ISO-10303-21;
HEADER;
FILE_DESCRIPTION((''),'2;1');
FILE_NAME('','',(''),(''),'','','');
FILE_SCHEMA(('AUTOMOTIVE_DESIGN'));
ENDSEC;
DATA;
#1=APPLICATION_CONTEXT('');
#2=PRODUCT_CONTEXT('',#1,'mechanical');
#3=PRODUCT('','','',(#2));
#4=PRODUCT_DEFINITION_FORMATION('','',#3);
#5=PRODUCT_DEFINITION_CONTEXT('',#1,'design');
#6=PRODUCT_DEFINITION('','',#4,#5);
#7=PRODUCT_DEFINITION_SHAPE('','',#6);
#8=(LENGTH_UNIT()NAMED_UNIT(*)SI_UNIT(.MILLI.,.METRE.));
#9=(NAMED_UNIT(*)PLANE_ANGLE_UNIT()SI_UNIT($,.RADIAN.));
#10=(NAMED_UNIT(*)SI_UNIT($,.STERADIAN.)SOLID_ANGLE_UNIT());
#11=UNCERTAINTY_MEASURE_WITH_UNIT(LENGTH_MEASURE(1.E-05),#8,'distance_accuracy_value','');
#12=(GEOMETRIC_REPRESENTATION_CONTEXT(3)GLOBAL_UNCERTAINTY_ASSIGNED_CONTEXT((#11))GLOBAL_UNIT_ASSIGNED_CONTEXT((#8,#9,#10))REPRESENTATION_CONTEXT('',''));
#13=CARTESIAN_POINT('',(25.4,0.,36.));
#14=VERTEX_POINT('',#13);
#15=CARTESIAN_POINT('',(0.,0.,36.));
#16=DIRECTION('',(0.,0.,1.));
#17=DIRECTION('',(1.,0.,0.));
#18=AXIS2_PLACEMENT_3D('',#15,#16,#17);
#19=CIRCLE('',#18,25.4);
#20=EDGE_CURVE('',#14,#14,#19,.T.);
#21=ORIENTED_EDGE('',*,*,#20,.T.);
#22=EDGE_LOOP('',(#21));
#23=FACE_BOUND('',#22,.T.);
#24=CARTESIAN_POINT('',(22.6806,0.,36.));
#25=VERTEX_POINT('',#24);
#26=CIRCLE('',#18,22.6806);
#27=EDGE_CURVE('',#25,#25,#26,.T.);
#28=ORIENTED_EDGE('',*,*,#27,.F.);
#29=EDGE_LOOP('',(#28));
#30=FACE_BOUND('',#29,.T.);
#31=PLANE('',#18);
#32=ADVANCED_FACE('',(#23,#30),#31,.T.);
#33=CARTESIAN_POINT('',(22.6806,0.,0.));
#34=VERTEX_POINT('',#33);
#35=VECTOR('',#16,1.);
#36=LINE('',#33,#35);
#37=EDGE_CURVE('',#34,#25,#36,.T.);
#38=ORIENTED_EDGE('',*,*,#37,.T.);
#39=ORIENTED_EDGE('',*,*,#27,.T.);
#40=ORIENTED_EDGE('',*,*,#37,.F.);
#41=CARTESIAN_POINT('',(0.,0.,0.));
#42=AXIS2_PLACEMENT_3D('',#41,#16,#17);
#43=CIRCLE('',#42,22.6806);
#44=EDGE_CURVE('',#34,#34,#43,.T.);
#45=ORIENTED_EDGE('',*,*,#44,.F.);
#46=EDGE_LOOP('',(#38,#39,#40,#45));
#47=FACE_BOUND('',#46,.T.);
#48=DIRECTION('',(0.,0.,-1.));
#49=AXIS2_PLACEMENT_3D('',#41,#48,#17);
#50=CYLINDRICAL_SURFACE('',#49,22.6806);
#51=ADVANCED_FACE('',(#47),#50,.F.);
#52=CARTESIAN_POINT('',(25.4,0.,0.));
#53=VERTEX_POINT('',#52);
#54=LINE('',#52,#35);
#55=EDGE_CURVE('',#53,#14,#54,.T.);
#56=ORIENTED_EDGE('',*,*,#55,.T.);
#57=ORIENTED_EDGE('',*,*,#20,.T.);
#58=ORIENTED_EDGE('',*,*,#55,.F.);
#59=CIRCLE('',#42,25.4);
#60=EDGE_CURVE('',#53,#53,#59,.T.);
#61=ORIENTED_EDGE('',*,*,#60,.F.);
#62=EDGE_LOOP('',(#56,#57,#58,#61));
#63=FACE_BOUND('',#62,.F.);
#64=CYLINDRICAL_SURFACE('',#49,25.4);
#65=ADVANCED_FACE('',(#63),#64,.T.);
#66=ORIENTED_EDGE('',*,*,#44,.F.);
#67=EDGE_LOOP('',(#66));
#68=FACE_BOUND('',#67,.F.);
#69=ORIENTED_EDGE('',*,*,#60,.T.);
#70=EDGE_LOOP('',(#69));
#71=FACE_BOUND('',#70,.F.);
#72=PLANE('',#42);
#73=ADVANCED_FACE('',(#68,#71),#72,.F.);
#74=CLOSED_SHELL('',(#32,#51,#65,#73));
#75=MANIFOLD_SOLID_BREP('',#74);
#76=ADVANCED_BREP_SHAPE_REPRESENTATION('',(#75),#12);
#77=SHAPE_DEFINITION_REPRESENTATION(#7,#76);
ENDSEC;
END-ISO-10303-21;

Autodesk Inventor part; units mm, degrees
ref_plane "YZ Plane" through (0, 0, 0) normal (1, 0, 0) x (0, 1, 0)
ref_plane "XZ Plane" through (0, 0, 0) normal (0, 1, 0) x (-1, 0, 0)
ref_plane "XY Plane" through (0, 0, 0) normal (0, 0, 1) x (1, 0, 0)
sketch "草圖1" plane through (0, 0, 0) normal (0, 0, 1) x (1, 0, 0)
  circle A0 centre (0, 0) radius 25.4
  circle A1 centre (0, 0) radius 22.6806
  dimension "d0" = 50.8
extrude "擠出1" add sketch "草圖1" along normal blind 36
